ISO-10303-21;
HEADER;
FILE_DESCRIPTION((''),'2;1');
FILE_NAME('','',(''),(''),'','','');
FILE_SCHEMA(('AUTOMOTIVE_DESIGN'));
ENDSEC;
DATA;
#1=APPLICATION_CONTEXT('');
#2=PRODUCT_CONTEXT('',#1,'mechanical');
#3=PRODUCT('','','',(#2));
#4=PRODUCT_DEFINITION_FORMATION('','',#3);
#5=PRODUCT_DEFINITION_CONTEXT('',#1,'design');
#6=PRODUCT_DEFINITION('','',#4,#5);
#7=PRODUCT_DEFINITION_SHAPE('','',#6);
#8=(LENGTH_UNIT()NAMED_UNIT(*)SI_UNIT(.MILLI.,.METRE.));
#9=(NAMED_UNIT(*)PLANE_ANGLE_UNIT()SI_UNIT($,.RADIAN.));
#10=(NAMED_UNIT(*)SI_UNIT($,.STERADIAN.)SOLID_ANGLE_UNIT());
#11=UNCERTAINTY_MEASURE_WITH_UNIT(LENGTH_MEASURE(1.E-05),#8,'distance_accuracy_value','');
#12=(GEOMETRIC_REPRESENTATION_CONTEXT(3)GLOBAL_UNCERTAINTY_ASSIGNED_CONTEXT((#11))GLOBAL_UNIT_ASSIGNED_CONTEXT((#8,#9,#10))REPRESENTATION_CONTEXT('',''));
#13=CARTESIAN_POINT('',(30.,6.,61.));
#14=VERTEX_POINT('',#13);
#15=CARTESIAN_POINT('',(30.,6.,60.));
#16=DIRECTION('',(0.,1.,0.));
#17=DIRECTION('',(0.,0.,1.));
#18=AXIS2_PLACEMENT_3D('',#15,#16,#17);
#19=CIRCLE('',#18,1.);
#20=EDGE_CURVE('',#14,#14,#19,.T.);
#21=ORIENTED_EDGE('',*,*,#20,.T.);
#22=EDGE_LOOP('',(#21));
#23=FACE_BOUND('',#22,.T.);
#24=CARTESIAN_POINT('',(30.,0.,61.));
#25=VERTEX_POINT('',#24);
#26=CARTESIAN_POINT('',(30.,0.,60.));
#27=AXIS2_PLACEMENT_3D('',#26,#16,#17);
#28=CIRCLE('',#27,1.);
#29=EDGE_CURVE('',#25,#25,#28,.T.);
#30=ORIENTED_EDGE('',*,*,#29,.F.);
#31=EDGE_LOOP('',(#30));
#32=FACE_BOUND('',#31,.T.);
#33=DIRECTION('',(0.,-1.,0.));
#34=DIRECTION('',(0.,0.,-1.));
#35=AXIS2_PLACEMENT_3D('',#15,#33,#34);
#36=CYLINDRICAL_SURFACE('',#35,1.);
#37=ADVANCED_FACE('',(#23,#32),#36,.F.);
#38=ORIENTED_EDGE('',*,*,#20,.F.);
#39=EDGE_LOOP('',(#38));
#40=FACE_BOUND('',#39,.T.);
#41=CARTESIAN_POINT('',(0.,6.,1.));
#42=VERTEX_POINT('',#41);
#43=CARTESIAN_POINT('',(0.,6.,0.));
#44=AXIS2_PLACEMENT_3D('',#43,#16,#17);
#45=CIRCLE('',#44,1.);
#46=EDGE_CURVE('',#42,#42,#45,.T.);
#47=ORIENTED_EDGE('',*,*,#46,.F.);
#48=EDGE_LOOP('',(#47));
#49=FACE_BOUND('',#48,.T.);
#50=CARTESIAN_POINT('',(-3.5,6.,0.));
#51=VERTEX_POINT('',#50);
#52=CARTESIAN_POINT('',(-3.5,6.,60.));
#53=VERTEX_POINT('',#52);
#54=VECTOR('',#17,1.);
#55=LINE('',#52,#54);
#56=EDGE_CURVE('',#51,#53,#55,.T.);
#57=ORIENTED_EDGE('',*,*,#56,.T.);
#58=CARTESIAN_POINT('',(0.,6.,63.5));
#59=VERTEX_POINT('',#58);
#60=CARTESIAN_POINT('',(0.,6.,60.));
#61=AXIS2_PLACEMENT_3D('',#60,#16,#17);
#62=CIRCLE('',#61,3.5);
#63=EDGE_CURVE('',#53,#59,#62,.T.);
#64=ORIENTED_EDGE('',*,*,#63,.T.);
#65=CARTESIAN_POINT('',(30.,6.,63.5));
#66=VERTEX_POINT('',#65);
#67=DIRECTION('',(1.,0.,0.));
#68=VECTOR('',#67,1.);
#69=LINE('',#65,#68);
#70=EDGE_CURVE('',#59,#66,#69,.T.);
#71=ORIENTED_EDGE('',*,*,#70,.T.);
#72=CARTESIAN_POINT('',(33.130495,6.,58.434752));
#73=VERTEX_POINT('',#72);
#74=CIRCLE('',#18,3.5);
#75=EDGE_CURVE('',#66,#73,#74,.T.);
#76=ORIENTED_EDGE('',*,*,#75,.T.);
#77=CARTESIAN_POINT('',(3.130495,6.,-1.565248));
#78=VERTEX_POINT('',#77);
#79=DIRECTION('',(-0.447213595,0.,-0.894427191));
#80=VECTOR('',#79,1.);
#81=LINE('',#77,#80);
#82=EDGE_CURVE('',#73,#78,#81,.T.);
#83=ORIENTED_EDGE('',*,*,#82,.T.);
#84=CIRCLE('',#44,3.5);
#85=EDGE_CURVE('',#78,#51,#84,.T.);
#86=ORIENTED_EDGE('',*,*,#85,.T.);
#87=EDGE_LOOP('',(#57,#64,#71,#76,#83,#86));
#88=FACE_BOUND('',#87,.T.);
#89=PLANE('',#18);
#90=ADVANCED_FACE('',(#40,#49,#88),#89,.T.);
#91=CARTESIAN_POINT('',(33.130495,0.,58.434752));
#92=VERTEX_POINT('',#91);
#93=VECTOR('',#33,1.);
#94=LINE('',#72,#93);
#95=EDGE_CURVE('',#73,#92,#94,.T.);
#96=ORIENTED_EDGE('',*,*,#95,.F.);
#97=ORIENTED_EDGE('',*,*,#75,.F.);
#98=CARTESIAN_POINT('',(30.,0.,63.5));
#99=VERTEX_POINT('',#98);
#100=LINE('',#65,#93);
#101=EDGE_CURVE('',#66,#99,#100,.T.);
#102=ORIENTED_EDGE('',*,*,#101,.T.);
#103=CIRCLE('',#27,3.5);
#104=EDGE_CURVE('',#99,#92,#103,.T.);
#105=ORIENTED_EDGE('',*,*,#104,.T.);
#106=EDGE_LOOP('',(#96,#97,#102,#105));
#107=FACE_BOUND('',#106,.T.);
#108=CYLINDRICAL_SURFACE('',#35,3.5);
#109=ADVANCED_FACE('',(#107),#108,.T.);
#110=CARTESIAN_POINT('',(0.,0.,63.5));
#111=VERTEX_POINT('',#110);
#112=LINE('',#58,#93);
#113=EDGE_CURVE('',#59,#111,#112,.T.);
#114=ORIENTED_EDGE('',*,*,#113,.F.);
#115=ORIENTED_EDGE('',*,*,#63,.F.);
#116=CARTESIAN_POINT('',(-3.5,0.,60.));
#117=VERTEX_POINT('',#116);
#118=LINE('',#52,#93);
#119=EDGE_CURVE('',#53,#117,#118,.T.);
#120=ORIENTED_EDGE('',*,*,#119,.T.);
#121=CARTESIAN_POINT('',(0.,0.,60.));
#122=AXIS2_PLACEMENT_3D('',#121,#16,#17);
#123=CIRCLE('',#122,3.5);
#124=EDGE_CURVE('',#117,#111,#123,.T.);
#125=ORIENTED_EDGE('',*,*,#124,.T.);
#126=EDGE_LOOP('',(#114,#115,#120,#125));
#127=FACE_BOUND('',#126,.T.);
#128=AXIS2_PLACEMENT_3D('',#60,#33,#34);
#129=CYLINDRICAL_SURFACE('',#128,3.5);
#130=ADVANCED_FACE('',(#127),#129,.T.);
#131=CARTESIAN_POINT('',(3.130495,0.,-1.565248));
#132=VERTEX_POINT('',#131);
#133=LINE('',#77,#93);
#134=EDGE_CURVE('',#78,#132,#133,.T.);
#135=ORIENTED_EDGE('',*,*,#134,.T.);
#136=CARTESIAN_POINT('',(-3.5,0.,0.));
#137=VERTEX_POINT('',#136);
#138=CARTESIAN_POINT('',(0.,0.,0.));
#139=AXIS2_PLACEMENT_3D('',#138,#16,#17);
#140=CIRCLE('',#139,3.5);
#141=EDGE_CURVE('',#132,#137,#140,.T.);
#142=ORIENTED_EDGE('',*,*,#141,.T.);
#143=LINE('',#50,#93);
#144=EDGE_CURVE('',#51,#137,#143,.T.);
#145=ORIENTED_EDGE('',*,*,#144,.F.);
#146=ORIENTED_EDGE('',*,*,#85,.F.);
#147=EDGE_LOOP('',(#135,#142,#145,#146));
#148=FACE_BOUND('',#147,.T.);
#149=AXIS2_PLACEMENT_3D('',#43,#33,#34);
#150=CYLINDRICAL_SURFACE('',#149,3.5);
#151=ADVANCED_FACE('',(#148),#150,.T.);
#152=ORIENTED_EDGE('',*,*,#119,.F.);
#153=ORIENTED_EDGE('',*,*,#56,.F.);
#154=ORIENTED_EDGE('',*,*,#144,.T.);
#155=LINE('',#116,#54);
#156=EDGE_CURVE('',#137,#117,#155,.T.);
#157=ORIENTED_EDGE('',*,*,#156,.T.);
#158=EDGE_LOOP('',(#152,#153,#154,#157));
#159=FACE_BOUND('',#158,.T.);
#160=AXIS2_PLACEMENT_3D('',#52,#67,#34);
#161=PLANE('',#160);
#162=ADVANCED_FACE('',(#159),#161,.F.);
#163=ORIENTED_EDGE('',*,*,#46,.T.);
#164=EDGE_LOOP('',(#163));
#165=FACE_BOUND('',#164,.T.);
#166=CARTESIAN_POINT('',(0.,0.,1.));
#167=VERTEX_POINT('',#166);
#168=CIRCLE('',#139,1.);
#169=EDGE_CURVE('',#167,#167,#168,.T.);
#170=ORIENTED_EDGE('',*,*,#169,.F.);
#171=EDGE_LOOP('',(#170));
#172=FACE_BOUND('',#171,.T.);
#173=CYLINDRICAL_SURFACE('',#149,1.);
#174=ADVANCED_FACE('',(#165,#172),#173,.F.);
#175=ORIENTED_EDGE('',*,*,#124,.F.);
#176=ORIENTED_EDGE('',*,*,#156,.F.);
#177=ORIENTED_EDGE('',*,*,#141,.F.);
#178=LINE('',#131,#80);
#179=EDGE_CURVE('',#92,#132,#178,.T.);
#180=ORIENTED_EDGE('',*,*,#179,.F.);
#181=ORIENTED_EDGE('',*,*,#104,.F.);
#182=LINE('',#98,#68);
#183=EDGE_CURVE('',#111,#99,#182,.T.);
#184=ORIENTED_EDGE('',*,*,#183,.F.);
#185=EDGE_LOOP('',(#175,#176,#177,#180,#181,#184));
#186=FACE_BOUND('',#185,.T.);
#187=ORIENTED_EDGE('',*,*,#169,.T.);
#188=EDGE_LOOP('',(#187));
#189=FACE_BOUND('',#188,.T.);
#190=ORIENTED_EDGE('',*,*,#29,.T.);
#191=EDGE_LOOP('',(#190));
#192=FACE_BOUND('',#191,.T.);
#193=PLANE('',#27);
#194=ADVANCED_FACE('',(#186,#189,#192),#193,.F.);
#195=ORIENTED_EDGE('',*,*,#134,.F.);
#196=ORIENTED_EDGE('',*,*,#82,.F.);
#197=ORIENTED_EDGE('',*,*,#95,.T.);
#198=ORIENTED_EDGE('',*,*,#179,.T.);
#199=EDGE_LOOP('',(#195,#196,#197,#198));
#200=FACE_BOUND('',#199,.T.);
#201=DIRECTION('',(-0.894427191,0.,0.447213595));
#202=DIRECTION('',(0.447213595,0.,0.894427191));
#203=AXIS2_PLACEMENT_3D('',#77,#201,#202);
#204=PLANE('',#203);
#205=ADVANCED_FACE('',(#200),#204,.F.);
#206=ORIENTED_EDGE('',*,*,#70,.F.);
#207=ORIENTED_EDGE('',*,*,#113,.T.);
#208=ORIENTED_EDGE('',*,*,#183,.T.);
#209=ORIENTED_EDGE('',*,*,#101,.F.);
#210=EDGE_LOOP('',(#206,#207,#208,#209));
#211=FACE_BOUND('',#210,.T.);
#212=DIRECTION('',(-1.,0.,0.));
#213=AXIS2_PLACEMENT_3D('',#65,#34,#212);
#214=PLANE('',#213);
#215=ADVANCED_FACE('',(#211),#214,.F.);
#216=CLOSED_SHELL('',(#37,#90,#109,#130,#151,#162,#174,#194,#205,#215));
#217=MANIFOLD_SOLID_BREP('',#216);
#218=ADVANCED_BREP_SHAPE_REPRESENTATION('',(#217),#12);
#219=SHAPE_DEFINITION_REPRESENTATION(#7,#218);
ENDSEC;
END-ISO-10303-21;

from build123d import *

# Parameters (mm, degrees)
SKETCH1_R           = 1
BOSS_EXTRUDE1_DEPTH = 6


with BuildPart() as part:
    # Sketch1 → Boss-Extrude1 (new body)
    with BuildSketch(Plane(origin=(0, 0, 0), x_dir=(1, 0, 0), z_dir=(0, 1, 0))):
        with BuildLine():
            Line((30, -63.5), (0, -63.5))
            ThreePointArc((0, -63.5), (-2.474873734, -62.474873734), (-3.5, -60))
            Line((-3.5, -60), (-3.5, 0))
            ThreePointArc((-3.5, 0), (-0.804135222, 3.406371463), (3.130495168, 1.565247584))
            Line((3.130495168, 1.565247584), (33.130495168, -58.434752416))
            ThreePointArc((33.130495168, -58.434752416), (32.977277829, -61.840058892), (30, -63.5))
        make_face()
        with Locations(Location((0, 0, 0), (0, 0, 270))):
            Circle(SKETCH1_R, mode=Mode.SUBTRACT)
        with Locations(Location((30, -60, 0), (0, 0, 270))):
            Circle(SKETCH1_R, mode=Mode.SUBTRACT)
    extrude(amount=BOSS_EXTRUDE1_DEPTH)


solid = part.part
